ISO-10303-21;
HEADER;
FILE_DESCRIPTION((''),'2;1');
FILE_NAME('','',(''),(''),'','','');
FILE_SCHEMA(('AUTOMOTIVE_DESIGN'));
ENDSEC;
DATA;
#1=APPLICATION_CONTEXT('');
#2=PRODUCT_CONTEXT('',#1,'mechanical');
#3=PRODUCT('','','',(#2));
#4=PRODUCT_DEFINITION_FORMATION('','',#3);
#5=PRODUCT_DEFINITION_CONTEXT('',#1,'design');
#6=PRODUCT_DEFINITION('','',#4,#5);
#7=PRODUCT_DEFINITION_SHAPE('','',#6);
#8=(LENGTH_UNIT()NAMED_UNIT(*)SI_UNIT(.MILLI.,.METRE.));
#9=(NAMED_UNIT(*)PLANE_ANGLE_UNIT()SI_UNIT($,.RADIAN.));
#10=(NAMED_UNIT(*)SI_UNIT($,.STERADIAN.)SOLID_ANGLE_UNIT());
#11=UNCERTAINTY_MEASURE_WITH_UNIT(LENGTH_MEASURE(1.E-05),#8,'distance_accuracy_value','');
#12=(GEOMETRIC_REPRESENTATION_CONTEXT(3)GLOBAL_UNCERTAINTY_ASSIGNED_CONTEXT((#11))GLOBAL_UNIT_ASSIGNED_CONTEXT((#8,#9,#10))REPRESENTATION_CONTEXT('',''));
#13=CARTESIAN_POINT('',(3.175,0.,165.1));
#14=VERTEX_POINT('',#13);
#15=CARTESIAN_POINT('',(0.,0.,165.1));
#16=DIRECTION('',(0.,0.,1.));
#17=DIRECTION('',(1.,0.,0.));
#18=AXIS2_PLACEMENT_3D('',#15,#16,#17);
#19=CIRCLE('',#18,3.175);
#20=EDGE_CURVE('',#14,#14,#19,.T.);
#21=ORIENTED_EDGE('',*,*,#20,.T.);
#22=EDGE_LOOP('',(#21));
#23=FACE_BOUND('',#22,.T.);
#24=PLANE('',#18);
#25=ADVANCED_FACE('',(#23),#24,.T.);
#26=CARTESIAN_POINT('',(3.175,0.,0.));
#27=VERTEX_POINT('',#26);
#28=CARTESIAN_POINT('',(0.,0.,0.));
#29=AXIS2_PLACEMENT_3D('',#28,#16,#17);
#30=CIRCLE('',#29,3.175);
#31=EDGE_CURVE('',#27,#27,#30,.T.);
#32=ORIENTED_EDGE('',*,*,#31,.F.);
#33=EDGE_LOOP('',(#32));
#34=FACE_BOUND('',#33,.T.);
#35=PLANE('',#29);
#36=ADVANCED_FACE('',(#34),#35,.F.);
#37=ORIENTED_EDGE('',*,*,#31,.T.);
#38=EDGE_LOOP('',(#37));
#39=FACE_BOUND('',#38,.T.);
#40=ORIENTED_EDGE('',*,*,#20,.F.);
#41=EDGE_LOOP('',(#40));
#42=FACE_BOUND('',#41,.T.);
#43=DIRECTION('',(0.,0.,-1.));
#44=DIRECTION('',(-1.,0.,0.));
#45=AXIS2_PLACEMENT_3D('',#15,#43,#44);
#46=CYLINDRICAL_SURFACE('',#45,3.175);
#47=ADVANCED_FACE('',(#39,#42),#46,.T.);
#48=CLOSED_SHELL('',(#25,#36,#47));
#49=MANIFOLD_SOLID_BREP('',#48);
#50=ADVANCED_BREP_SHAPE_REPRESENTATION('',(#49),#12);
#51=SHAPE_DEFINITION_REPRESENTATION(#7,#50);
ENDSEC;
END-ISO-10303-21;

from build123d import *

# Parameters (mm, degrees)
SKETCH1_R           = 3.175
BOSS_EXTRUDE1_DEPTH = 165.1


with BuildPart() as part:
    # Sketch1 → Boss-Extrude1 (new body)
    with BuildSketch(Plane.XY):
        Circle(SKETCH1_R)
    extrude(amount=BOSS_EXTRUDE1_DEPTH)


solid = part.part
